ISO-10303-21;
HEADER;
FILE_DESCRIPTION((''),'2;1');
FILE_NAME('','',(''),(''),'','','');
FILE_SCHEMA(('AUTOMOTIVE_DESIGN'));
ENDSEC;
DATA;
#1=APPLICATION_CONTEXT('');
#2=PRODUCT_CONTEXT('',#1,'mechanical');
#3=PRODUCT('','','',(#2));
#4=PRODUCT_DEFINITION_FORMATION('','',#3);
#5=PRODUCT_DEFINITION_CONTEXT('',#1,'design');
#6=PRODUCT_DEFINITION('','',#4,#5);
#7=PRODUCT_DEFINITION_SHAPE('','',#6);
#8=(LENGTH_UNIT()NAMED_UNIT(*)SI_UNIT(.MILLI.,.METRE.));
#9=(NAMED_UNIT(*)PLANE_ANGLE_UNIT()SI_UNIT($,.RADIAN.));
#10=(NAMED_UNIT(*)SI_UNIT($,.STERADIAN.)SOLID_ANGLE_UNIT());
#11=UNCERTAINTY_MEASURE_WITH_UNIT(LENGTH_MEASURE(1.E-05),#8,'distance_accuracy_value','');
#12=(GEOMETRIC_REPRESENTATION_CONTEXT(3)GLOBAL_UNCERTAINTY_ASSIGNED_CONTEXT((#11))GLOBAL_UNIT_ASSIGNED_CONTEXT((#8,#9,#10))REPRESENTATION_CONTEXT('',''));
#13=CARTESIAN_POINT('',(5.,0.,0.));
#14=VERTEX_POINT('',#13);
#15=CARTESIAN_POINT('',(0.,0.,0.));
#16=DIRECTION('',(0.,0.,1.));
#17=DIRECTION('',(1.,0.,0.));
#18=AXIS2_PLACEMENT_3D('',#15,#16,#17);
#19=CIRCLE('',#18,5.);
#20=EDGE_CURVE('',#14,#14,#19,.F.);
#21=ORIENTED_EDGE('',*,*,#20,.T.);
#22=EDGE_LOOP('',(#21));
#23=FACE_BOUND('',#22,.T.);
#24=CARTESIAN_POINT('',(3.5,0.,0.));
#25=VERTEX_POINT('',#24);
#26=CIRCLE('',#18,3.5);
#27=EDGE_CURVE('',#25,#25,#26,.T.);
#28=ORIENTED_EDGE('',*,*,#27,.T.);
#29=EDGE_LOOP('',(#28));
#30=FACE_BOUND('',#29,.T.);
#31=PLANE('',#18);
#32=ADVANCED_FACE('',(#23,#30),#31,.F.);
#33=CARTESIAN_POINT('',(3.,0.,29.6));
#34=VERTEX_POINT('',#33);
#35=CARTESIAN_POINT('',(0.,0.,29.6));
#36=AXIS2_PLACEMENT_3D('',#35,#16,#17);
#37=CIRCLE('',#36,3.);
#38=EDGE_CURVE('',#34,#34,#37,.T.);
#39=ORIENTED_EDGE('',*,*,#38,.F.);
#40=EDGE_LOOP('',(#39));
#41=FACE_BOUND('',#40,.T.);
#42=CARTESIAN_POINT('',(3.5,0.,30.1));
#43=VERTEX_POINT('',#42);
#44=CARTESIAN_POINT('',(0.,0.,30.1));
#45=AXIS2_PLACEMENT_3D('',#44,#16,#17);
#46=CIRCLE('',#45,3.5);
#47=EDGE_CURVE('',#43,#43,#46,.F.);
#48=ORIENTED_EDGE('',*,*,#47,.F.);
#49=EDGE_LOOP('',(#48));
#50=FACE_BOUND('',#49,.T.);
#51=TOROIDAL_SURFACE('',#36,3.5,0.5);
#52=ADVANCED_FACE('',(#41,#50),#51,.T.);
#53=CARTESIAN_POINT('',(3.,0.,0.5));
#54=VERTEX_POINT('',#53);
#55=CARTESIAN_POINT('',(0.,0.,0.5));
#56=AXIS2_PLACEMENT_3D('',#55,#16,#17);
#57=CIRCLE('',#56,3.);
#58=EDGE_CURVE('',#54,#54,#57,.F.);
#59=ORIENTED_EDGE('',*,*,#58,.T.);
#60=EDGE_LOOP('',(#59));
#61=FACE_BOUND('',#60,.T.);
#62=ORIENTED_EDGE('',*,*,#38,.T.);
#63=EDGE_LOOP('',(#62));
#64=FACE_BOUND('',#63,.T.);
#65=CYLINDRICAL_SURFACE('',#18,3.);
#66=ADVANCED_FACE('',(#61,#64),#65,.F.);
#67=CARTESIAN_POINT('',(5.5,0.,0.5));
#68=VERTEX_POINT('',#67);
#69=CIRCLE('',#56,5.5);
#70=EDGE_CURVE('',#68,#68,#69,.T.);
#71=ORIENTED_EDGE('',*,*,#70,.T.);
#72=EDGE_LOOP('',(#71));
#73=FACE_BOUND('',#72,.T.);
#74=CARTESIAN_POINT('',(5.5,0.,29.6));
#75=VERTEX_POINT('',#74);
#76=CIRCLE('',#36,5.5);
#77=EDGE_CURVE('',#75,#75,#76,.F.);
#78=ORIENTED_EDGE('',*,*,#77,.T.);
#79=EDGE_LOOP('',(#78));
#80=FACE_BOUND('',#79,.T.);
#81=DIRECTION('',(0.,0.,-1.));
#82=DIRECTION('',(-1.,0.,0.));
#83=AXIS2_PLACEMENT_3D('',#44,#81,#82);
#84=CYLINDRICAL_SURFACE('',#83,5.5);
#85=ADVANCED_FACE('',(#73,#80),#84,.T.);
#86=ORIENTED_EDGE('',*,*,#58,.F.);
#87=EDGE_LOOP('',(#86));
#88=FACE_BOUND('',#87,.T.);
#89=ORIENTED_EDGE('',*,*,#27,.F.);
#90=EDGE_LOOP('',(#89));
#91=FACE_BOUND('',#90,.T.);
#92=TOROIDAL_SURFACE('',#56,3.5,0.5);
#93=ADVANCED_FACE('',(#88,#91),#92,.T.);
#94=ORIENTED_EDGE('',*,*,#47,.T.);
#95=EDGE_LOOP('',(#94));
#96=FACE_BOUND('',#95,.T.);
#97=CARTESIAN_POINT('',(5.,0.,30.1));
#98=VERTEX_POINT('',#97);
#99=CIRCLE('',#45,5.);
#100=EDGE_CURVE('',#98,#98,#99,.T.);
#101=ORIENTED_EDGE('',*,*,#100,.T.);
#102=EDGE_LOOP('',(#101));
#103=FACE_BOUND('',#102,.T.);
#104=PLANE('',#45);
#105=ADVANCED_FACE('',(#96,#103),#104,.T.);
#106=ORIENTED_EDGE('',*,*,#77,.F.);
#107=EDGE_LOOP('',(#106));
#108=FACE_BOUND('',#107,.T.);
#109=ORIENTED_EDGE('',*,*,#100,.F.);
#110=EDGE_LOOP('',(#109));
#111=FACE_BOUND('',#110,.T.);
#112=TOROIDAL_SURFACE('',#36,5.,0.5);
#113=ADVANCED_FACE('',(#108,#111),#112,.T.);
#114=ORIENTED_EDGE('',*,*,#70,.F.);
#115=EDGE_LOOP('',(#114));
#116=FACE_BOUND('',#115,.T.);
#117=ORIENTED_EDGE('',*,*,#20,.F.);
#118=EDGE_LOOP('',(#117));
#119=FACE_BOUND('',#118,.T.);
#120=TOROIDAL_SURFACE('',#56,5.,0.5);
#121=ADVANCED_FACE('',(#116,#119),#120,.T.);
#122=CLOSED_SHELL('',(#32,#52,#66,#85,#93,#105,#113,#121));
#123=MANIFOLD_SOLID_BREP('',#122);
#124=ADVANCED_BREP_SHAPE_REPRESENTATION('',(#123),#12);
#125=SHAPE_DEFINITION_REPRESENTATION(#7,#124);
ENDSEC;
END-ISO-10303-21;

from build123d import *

# Parameters (mm, degrees)
SKETCH1_R           = 5.5
BOSS_EXTRUDE1_DEPTH = 30.1
SKETCH2_R           = 3
CUT_EXTRUDE1_DEPTH  = 31.1
FILLET1_R           = 0.5


with BuildPart() as part:
    # Sketch1 → Boss-Extrude1 (new body)
    with BuildSketch(Plane.XY):
        Circle(SKETCH1_R)
    extrude(amount=BOSS_EXTRUDE1_DEPTH)

    # Sketch2 → Cut-Extrude1 (cut, through all)
    with BuildSketch(Plane.XY.offset(30.1)):
        Circle(SKETCH2_R)
    extrude(amount=-CUT_EXTRUDE1_DEPTH, mode=Mode.SUBTRACT)

    # Fillet1
    fillet1_edges = [part.edges().sort_by_distance(p)[0] for p in [
        (-5.5, 0, 0),
        (-5.5, 0, 30.1),
        (-3, 0, 0),
        (-3, 0, 30.1),
    ]]
    fillet(fillet1_edges, radius=FILLET1_R)


solid = part.part
